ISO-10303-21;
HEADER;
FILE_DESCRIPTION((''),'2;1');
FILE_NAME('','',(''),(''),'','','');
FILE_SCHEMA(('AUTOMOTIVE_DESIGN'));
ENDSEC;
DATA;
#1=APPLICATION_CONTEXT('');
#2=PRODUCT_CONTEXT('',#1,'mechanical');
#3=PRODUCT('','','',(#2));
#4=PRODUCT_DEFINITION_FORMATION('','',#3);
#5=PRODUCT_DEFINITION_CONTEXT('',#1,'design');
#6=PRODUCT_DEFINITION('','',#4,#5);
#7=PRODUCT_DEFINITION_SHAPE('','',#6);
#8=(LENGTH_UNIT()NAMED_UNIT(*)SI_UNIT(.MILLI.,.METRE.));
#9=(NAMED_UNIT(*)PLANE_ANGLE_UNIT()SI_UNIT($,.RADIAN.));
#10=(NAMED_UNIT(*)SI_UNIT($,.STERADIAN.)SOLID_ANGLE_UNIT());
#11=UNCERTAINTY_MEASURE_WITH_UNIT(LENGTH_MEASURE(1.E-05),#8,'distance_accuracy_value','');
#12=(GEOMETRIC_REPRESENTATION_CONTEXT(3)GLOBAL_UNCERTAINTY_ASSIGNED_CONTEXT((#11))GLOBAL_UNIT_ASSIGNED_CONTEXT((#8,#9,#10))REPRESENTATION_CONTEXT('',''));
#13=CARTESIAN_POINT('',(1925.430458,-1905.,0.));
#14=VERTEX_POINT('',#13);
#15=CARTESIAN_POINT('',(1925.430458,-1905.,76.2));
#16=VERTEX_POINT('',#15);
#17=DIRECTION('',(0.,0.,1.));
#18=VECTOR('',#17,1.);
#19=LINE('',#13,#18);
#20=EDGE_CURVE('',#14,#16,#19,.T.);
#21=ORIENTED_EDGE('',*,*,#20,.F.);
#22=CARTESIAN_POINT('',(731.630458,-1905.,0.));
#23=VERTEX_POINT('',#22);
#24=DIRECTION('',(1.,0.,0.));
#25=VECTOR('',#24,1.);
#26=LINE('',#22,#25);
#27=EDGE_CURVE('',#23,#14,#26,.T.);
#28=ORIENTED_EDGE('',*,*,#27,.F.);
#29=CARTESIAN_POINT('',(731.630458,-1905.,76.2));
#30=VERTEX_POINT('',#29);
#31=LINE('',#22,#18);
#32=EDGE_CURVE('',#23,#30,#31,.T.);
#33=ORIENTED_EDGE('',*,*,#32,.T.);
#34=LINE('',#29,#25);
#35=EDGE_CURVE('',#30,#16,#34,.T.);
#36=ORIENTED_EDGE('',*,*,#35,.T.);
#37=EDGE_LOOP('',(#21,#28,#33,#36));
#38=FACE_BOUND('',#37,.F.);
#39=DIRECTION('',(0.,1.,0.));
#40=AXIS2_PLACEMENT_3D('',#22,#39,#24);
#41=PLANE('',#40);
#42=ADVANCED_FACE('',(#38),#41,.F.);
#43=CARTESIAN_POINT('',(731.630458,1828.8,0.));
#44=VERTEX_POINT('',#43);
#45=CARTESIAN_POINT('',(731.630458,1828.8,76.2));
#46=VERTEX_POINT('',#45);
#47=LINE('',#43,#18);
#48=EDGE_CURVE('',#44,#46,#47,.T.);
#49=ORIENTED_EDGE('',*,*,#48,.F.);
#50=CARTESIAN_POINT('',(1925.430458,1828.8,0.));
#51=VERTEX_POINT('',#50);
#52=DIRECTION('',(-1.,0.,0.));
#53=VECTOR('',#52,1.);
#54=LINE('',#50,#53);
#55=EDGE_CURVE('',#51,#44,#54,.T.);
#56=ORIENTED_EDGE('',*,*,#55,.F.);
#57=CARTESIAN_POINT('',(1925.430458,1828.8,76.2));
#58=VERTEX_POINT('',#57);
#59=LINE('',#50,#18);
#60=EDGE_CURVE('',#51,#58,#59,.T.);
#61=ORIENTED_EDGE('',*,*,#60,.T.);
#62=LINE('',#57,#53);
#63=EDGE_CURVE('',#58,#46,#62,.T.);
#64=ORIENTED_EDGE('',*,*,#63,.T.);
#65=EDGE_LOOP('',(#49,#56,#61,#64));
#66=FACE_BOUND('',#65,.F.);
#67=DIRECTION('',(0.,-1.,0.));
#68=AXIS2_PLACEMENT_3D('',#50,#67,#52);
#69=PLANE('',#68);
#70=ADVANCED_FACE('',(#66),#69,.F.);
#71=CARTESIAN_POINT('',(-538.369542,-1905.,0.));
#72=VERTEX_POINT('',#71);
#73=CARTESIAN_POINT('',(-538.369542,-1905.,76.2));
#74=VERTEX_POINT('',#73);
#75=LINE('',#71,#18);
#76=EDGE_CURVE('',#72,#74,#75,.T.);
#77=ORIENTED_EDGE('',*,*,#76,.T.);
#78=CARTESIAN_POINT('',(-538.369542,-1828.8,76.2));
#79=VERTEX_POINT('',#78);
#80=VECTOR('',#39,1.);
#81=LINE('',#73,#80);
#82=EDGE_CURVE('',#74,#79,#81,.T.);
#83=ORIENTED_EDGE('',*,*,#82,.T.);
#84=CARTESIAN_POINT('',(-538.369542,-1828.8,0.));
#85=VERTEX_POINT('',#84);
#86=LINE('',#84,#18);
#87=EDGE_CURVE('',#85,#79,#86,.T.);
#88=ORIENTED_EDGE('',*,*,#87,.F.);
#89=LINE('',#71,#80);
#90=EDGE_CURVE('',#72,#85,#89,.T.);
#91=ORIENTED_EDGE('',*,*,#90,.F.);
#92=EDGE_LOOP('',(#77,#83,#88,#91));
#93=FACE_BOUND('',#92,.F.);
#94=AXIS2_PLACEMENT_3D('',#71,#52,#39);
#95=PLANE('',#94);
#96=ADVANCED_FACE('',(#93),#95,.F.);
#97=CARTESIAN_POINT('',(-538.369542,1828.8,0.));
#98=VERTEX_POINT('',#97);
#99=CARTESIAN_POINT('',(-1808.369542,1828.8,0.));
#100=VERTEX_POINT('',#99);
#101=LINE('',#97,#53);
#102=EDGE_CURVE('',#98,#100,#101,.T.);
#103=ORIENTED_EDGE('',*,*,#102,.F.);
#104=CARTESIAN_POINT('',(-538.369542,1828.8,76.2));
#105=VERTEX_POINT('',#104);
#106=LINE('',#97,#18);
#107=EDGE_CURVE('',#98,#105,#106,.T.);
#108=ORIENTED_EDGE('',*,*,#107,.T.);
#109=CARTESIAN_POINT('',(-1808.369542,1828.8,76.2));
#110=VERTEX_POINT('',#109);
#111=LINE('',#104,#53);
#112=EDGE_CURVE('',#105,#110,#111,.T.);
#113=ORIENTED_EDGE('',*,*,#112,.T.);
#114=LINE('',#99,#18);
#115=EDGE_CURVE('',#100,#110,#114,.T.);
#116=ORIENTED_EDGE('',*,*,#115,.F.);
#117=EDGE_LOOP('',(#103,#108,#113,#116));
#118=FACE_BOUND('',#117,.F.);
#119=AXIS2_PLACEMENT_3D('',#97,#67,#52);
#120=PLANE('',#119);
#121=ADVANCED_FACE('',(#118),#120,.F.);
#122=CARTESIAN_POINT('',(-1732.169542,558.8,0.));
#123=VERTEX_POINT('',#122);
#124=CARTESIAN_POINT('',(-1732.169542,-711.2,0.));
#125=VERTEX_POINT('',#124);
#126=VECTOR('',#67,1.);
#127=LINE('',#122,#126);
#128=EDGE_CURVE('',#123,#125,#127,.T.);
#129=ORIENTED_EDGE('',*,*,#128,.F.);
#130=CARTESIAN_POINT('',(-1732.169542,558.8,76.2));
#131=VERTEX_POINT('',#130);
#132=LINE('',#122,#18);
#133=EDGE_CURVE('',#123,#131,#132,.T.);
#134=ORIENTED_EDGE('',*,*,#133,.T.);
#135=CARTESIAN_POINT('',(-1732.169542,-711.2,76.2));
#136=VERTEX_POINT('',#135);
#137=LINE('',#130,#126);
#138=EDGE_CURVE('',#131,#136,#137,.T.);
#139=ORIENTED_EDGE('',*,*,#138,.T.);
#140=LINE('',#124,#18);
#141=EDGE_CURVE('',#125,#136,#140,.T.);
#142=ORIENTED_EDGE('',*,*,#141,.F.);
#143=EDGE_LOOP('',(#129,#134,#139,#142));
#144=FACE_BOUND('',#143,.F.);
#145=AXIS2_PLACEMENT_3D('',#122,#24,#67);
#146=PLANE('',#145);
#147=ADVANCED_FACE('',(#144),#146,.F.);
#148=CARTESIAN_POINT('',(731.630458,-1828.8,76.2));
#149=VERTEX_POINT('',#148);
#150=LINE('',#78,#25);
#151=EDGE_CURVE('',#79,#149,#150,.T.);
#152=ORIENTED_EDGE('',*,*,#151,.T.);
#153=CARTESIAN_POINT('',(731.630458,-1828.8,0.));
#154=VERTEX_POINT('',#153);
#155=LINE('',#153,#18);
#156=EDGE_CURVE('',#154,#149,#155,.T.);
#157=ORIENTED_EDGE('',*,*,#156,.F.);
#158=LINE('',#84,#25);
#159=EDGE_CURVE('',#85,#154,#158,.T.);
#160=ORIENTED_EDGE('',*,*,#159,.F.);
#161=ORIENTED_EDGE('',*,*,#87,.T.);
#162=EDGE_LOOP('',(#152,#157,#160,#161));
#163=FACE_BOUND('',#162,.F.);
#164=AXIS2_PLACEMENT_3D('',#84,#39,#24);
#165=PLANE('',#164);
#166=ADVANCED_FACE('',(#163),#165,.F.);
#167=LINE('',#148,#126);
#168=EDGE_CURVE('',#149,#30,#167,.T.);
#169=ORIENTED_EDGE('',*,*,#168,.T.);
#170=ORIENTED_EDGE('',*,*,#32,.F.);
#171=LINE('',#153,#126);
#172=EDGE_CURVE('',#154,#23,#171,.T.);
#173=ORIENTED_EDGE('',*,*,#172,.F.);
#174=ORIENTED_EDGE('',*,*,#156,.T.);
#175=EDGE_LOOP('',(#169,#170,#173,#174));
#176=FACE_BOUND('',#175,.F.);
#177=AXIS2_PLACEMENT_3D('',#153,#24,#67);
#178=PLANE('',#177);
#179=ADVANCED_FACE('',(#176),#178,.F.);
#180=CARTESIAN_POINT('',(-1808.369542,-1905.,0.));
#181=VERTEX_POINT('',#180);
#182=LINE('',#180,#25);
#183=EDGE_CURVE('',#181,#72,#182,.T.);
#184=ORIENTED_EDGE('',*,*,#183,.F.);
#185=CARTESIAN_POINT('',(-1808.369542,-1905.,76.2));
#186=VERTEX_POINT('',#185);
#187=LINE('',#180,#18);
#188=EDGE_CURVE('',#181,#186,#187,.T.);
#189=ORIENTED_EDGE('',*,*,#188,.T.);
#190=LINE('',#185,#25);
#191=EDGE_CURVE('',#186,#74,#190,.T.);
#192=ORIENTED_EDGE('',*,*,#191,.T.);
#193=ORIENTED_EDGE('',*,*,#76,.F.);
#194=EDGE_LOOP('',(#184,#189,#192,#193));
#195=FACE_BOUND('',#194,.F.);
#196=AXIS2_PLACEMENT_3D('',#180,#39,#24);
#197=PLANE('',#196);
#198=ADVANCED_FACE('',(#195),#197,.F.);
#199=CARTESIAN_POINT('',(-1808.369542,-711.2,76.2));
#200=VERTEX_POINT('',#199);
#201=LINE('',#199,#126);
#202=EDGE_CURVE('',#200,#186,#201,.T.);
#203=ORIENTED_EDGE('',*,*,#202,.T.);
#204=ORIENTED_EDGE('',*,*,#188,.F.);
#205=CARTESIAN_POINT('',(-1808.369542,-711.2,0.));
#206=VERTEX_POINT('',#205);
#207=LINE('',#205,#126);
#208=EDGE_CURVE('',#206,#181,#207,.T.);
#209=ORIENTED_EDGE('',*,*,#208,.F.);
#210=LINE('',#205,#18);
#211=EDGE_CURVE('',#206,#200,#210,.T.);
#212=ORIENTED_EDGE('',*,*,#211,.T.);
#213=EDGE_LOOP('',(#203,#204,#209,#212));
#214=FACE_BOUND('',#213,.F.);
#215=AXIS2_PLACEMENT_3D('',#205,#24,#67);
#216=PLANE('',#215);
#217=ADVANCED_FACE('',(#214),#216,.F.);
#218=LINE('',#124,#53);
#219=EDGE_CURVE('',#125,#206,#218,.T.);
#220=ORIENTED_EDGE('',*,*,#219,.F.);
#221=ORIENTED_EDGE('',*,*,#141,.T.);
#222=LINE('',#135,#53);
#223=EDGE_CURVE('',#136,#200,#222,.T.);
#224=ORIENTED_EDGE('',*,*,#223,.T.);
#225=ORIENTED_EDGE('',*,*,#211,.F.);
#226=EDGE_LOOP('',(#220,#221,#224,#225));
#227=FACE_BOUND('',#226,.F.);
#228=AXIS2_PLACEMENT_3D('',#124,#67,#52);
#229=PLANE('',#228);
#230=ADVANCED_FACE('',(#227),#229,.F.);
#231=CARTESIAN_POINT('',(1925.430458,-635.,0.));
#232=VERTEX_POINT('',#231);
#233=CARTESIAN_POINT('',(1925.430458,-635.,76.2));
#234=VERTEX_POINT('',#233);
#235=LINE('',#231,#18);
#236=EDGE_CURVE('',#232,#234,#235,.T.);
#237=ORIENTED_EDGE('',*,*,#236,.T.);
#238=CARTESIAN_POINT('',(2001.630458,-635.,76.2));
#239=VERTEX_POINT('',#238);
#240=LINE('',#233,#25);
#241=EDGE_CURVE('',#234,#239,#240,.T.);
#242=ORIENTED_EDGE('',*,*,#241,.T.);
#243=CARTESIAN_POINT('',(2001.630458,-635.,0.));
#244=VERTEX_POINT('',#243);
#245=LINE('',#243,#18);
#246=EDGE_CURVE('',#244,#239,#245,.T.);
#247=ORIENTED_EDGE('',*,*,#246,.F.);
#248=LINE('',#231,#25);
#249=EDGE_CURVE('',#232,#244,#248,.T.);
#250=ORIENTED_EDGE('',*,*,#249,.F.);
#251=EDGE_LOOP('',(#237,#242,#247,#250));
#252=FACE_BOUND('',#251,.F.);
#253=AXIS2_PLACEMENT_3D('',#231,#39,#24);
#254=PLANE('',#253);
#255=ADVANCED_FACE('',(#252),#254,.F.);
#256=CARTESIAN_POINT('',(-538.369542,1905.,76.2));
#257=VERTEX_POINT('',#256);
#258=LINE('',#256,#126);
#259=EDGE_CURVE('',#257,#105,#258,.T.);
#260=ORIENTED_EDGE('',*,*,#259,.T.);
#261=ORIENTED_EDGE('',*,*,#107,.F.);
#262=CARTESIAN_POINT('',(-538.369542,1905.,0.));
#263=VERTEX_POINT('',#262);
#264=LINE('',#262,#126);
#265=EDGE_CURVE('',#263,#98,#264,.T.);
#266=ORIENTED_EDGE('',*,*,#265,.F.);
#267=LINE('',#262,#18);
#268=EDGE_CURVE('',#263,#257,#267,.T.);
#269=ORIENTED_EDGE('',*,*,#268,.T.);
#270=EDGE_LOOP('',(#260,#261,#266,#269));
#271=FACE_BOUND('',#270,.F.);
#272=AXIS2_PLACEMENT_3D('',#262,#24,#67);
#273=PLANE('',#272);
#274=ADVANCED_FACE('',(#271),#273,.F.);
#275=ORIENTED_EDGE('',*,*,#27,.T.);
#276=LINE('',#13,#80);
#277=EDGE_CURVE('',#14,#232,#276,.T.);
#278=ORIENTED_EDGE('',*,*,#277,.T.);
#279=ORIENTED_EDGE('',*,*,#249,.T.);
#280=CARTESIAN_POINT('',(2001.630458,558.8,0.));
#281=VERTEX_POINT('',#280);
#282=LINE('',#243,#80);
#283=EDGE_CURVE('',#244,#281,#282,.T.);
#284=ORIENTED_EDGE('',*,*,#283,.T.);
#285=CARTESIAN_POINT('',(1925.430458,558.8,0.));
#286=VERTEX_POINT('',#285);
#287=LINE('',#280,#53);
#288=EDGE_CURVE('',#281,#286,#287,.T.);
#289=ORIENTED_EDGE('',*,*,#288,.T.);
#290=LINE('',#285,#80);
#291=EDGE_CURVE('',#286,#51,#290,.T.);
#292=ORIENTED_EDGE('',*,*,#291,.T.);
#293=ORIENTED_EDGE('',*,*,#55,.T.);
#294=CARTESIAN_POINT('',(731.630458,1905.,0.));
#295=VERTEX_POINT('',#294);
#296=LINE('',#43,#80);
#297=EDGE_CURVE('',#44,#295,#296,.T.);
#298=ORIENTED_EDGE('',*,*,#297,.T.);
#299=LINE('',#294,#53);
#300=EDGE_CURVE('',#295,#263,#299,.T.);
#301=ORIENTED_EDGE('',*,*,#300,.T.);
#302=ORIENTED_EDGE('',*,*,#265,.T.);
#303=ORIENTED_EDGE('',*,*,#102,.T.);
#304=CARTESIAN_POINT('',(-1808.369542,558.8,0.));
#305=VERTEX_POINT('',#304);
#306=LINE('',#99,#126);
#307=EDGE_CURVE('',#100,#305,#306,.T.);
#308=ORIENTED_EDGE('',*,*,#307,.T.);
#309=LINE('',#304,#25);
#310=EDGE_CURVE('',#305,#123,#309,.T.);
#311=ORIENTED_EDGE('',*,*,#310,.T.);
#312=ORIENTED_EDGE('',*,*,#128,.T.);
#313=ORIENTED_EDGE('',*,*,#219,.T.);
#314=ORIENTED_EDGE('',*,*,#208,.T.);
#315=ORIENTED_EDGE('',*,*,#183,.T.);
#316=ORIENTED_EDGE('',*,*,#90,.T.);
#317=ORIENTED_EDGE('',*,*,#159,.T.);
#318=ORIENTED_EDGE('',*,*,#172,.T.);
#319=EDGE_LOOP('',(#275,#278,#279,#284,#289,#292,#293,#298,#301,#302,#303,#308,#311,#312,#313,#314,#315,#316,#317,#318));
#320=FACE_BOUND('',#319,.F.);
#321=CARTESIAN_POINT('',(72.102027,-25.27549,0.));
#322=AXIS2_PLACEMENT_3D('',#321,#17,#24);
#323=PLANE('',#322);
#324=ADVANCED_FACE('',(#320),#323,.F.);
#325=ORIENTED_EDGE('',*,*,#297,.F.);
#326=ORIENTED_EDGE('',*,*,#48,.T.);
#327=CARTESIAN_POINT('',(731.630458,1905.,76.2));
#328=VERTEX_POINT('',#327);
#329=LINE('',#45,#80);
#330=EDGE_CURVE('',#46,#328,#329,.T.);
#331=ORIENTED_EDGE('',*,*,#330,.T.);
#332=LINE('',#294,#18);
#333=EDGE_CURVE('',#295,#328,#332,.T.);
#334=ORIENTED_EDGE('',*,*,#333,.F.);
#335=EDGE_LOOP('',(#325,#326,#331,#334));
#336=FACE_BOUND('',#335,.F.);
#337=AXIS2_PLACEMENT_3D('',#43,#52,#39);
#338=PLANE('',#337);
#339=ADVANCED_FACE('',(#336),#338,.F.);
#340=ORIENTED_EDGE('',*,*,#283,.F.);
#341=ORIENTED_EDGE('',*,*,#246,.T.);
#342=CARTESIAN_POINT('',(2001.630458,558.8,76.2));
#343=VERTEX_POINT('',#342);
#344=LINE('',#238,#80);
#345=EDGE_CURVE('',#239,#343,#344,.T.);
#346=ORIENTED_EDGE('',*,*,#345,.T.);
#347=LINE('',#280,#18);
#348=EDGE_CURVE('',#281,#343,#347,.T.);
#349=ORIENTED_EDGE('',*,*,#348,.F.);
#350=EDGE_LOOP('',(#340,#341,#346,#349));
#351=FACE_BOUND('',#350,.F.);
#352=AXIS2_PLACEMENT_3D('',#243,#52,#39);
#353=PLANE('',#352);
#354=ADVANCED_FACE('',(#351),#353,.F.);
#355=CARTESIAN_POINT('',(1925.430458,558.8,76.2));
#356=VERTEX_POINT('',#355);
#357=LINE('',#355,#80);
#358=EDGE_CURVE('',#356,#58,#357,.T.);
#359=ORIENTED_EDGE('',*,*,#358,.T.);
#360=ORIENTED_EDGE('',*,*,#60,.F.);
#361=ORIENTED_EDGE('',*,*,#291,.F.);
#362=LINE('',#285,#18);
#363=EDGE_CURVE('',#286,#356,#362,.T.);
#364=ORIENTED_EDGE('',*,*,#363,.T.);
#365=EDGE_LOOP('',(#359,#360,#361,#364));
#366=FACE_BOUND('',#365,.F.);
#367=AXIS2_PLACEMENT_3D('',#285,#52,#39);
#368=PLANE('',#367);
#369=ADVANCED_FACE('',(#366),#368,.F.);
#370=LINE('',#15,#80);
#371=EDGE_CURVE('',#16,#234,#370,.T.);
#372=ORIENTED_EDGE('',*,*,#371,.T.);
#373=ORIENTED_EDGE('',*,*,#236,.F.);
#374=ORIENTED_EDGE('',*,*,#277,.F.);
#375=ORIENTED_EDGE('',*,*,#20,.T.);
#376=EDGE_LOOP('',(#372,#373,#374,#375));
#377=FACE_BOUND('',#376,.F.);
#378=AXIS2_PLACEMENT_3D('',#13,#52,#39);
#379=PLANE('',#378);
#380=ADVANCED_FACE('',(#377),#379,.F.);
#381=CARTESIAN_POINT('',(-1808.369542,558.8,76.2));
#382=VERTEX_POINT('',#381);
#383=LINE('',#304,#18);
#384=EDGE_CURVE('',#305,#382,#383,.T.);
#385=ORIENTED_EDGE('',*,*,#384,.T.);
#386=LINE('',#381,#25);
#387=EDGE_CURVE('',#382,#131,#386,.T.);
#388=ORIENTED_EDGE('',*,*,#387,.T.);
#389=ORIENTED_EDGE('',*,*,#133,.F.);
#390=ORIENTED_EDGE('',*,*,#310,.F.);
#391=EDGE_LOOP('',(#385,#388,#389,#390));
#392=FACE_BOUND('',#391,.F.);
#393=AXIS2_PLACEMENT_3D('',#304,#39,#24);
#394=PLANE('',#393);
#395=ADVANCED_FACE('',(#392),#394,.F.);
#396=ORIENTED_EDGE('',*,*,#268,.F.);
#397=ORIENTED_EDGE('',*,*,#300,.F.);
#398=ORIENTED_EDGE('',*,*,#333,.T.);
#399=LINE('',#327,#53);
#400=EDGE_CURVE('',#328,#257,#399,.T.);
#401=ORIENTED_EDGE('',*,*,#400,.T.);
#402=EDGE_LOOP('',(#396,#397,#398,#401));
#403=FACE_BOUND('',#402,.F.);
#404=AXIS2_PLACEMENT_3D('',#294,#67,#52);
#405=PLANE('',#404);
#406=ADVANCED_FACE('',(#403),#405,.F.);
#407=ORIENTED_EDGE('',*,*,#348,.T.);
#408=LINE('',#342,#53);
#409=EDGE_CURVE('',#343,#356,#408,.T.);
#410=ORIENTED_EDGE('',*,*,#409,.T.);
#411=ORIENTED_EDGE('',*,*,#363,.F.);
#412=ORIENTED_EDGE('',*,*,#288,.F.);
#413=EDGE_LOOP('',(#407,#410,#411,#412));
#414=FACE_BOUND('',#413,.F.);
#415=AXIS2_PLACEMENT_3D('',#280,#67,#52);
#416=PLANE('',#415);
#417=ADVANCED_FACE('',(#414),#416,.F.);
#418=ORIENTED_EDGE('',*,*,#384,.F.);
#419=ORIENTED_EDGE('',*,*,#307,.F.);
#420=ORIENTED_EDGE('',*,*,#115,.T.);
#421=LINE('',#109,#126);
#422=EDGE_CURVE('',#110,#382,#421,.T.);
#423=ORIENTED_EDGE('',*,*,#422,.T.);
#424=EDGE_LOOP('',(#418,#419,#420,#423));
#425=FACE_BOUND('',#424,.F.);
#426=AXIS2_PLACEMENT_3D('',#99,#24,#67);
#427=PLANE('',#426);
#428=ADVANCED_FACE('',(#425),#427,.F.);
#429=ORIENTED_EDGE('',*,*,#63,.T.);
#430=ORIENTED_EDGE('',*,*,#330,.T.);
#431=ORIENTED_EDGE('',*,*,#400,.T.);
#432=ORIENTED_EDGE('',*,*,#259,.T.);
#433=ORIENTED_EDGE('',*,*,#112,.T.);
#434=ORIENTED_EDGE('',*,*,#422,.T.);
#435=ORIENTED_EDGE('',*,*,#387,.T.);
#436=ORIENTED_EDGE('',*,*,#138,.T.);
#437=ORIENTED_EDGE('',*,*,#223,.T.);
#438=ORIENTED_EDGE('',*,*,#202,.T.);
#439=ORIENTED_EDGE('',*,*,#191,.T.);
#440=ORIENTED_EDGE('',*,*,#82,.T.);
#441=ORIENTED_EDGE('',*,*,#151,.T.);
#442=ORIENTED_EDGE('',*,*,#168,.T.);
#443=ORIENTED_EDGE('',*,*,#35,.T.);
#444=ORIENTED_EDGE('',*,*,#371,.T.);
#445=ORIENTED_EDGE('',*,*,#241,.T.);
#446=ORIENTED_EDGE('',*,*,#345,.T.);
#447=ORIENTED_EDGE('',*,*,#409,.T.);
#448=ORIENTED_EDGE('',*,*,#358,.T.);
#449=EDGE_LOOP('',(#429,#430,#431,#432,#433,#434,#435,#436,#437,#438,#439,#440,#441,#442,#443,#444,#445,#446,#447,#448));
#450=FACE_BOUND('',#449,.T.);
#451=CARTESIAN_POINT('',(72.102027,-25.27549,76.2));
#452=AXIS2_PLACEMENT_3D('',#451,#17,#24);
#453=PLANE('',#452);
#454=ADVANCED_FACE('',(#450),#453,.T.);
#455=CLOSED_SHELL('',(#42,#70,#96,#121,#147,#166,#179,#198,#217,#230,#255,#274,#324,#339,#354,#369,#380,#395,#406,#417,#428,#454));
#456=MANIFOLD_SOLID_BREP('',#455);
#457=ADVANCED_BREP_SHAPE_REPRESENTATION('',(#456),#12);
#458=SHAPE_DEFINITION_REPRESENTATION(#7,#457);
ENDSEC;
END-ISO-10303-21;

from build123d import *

# Parameters (mm, degrees)
F1_DEPTH = 76.2


with BuildPart() as f1:
    # F0 (on Top) → F1 (new body)
    with BuildSketch(Plane.XY):
        Polygon((731.630458, 1828.8), (731.630458, 1905), (-538.369542, 1905), (-538.369542, 1828.8), (-1808.369542, 1828.8), (-1808.369542, 558.8), (-1732.169542, 558.8), (-1732.169542, -711.2), (-1808.369542, -711.2), (-1808.369542, -1905), (-538.369542, -1905), (-538.369542, -1828.8), (731.630458, -1828.8), (731.630458, -1905), (1925.430458, -1905), (1925.430458, -635), (2001.630458, -635), (2001.630458, 558.8), (1925.430458, 558.8), (1925.430458, 1828.8), align=None)
    extrude(amount=F1_DEPTH)


solid = f1.part
